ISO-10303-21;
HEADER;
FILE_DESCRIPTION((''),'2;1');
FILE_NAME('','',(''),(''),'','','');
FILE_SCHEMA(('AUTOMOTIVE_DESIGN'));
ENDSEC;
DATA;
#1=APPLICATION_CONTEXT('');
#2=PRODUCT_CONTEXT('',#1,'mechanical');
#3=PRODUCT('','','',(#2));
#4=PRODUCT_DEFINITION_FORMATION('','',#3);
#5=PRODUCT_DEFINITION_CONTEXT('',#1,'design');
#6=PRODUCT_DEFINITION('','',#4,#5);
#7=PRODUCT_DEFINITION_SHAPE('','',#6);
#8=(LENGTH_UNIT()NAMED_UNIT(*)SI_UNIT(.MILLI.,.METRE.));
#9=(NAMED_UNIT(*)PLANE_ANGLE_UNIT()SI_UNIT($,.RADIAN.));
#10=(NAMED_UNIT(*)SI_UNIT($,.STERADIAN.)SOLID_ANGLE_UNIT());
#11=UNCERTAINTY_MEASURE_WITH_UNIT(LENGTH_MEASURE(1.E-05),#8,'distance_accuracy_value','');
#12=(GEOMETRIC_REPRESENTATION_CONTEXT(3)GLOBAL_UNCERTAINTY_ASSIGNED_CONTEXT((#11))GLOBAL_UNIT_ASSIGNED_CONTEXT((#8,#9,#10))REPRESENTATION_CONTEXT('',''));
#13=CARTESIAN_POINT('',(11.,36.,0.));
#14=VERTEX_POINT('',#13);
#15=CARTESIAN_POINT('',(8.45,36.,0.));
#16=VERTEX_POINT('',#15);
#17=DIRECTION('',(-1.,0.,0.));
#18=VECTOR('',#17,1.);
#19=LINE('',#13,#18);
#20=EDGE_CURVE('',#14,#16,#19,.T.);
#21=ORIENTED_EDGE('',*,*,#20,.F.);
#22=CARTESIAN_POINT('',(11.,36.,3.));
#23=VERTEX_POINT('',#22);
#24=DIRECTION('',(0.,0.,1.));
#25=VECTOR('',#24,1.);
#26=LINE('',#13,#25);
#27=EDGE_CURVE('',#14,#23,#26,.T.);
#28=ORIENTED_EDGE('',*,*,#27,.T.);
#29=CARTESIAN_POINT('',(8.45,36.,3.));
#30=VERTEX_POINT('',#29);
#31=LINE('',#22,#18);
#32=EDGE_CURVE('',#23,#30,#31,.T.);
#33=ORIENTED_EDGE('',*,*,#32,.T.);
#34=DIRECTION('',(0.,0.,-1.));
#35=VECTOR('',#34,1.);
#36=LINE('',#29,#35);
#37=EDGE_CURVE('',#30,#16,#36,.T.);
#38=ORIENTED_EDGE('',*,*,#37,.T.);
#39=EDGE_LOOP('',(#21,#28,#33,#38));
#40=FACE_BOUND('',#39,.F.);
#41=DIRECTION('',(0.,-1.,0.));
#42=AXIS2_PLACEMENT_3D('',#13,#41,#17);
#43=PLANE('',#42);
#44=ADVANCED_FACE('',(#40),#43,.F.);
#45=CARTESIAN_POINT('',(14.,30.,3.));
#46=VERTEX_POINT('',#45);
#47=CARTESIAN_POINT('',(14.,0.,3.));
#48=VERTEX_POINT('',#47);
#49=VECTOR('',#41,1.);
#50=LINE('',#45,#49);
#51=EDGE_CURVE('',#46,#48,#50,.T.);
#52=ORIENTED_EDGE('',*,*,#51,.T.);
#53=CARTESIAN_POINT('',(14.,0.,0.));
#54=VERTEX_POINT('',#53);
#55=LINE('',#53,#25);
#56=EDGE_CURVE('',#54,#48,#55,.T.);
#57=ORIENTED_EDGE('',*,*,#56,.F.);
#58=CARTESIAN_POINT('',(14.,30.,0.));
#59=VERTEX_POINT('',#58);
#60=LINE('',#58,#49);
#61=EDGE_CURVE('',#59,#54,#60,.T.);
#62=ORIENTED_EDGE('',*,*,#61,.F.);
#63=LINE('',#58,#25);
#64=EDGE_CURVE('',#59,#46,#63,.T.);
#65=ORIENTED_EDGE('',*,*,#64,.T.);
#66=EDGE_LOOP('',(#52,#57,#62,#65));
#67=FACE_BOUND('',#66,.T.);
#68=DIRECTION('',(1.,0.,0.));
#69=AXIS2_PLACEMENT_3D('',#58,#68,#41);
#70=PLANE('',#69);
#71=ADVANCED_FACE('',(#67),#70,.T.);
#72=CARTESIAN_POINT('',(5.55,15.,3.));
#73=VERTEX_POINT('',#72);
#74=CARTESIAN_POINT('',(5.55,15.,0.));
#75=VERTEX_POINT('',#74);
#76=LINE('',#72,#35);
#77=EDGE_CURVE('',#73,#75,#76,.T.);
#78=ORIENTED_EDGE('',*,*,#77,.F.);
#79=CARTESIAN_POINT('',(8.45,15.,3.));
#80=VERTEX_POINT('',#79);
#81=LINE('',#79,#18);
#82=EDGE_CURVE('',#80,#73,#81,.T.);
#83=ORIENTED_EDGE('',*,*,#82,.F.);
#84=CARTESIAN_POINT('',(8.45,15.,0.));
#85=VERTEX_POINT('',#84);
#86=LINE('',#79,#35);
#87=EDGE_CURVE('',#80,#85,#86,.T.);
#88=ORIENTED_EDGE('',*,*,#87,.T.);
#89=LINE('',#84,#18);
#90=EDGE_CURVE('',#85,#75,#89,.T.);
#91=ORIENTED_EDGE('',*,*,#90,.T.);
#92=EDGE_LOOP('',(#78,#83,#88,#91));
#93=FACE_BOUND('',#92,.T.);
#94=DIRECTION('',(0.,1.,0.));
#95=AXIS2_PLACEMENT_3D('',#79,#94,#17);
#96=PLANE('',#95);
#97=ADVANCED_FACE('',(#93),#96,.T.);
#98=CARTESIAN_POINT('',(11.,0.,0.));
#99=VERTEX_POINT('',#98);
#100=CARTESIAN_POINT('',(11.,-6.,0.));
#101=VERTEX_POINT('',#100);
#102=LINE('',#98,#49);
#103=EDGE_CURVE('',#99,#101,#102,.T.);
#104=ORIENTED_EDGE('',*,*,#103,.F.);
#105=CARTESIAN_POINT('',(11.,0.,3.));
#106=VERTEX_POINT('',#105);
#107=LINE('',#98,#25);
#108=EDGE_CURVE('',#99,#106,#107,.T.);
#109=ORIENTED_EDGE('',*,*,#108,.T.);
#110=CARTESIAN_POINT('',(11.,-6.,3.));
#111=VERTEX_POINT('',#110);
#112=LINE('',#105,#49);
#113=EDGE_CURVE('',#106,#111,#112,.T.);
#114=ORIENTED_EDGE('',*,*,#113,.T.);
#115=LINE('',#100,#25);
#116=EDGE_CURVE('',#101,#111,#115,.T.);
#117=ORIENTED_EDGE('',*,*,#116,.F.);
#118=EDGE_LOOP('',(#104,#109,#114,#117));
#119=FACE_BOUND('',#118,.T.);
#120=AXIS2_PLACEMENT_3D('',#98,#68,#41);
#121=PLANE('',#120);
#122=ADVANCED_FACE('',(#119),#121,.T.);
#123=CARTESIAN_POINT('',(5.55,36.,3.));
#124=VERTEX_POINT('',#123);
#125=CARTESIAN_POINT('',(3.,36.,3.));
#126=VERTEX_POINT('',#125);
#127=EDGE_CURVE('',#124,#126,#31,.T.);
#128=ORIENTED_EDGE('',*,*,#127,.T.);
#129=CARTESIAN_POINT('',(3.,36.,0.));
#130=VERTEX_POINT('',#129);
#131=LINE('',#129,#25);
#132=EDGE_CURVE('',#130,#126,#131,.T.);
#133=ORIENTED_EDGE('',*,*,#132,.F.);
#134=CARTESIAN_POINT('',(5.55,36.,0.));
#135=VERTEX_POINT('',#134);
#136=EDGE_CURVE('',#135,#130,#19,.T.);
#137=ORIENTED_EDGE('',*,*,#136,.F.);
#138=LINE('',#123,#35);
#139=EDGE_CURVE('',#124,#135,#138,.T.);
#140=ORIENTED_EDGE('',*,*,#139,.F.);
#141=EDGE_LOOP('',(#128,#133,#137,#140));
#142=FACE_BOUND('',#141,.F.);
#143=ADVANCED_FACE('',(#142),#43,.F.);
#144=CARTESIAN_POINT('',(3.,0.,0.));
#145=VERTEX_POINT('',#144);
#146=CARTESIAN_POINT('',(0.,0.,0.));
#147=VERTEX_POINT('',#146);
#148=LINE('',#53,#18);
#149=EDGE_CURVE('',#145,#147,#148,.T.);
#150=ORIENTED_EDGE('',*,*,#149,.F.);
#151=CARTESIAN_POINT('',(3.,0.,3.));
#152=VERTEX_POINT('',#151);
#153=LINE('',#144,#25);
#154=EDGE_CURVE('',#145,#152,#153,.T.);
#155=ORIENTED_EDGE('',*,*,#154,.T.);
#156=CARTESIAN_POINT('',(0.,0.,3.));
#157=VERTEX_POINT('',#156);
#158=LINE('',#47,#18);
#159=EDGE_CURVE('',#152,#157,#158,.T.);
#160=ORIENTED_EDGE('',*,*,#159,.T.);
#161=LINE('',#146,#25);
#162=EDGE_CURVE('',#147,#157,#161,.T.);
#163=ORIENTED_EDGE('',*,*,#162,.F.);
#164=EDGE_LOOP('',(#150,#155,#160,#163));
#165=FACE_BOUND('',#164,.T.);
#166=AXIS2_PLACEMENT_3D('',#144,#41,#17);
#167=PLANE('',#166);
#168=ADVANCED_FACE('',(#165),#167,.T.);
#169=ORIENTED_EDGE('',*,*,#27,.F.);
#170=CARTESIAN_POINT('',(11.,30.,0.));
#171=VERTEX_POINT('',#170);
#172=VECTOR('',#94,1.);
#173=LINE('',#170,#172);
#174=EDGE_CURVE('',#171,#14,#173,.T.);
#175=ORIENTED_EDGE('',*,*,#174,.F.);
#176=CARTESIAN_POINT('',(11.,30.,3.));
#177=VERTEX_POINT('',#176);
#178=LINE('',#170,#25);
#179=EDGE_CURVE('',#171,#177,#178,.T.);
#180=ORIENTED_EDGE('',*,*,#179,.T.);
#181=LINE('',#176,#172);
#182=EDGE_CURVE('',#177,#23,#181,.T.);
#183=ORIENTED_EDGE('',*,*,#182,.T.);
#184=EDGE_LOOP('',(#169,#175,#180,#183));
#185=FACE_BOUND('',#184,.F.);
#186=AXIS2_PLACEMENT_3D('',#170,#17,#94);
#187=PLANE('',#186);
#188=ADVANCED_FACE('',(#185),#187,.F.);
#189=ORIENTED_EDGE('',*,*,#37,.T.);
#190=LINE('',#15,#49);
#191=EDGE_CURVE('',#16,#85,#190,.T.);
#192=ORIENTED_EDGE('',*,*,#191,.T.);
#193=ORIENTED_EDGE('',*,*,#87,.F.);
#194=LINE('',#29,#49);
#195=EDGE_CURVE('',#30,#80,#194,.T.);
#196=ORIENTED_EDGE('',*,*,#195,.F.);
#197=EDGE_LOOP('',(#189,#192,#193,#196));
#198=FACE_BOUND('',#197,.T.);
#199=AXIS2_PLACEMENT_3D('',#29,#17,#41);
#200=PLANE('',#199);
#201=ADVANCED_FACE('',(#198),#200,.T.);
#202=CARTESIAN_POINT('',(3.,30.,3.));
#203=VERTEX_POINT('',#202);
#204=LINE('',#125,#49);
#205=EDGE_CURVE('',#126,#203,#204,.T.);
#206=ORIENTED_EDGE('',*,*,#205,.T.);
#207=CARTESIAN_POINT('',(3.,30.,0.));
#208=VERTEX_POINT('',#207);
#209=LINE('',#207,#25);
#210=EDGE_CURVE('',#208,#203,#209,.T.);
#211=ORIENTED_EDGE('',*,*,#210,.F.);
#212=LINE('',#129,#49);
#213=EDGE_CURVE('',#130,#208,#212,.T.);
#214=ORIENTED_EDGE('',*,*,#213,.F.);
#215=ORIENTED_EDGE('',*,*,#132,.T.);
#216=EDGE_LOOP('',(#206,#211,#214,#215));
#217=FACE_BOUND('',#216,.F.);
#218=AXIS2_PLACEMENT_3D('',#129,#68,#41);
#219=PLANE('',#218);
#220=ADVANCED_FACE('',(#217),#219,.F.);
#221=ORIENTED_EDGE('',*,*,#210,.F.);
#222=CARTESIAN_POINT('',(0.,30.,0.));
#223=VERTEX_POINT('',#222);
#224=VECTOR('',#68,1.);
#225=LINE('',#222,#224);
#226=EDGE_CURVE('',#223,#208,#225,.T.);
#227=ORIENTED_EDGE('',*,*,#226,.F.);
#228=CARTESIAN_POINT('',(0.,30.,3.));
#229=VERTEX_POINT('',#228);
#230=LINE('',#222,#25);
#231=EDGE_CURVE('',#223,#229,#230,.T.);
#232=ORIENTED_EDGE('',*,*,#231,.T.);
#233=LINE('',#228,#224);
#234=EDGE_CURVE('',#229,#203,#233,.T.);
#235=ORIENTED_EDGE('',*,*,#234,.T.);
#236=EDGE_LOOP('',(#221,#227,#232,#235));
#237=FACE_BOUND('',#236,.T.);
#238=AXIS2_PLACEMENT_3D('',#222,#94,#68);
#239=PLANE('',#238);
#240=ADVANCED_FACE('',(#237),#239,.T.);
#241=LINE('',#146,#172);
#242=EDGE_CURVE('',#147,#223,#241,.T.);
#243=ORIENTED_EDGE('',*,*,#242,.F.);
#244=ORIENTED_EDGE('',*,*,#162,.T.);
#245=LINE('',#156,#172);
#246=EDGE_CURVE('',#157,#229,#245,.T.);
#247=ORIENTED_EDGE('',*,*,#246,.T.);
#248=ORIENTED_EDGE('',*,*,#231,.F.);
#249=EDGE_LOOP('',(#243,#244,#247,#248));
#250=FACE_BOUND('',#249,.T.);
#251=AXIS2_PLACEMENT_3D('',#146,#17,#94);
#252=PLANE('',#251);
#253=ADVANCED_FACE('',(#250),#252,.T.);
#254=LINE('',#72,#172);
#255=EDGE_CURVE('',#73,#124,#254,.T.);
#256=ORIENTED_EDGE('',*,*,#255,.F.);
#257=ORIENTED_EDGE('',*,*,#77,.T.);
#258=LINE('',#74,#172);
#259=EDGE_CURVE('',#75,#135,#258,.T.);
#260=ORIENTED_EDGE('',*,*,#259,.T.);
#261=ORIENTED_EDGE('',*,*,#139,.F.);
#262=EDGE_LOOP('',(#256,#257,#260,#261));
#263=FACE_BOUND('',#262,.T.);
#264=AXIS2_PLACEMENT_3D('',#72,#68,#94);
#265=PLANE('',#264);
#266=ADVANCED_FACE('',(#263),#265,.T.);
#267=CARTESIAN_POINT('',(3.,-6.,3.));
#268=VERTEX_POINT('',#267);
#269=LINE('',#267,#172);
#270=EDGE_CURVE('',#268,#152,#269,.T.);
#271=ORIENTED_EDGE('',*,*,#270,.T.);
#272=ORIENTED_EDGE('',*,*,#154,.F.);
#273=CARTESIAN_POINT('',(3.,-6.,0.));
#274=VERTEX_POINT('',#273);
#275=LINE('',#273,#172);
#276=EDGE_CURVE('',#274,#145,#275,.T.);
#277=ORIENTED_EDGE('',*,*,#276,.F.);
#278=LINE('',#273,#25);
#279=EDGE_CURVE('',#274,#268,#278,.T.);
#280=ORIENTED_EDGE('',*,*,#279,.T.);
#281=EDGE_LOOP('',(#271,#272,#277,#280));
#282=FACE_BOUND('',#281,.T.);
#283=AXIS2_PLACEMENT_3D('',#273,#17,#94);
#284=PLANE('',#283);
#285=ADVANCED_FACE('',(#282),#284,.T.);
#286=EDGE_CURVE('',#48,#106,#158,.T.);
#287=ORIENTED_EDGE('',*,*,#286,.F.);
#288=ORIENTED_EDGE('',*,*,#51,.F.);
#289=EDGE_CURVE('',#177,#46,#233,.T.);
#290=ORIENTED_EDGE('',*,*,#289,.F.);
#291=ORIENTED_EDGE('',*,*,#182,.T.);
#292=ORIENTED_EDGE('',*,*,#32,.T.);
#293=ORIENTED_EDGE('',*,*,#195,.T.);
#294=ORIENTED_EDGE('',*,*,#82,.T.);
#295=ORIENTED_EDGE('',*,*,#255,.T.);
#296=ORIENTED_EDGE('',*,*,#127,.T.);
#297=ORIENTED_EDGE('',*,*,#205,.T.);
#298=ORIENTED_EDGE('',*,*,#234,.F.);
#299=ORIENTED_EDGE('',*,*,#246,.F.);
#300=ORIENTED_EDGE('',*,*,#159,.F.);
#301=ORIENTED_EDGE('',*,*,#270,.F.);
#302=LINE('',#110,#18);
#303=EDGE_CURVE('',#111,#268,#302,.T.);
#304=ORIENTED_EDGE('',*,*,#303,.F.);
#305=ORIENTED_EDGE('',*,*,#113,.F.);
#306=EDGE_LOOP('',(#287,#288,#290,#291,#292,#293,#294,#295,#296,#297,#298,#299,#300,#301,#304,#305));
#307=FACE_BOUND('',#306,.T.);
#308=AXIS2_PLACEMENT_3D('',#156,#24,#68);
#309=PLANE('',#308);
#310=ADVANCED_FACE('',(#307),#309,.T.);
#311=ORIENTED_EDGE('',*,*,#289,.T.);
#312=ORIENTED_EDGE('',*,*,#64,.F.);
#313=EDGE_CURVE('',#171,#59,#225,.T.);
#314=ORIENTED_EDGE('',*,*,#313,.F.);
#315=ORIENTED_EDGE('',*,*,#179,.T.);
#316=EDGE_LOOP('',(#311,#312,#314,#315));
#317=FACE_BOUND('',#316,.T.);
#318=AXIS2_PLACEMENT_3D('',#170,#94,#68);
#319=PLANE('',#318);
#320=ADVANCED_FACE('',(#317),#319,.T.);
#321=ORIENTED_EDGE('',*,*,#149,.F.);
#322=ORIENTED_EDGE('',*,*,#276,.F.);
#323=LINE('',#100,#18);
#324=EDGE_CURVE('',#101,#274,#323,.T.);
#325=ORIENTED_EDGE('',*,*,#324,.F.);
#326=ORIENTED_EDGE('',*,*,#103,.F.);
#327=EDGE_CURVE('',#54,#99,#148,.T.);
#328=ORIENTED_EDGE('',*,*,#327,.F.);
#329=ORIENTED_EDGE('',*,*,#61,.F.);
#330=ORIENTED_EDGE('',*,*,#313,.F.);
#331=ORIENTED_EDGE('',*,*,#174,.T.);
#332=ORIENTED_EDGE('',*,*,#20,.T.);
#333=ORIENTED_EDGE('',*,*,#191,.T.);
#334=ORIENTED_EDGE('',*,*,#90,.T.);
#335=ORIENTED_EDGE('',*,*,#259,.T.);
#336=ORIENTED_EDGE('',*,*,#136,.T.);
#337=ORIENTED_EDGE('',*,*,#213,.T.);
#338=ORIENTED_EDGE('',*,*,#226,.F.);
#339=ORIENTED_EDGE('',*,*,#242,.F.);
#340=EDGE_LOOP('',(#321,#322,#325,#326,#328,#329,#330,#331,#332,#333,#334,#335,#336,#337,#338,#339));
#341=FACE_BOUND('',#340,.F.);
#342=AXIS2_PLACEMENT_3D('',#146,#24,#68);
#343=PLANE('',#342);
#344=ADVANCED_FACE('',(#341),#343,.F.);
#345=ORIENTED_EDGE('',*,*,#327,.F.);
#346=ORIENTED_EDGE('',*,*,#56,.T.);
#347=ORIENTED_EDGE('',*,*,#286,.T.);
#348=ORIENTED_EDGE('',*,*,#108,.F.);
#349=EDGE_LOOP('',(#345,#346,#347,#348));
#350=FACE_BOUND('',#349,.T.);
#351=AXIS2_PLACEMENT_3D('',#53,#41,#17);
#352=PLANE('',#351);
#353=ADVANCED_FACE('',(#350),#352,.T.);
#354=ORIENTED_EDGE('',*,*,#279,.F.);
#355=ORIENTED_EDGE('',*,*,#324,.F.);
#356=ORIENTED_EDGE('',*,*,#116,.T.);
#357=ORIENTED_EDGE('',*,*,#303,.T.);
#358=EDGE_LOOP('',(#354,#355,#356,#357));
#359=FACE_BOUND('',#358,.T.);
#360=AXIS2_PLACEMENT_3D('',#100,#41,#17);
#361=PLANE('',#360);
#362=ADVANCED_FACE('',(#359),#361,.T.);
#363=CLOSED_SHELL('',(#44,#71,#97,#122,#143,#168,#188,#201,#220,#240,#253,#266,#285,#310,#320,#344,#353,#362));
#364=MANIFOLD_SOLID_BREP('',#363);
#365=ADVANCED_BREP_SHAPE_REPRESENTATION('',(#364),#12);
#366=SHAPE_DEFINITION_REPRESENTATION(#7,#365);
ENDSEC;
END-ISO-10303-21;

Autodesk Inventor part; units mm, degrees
ref_plane "YZ Plane" through (0, 0, 0) normal (1, 0, 0) x (0, 1, 0)
ref_plane "XZ Plane" through (0, 0, 0) normal (0, 1, 0) x (-1, 0, 0)
ref_plane "XY Plane" through (0, 0, 0) normal (0, 0, 1) x (1, 0, 0)
sketch "草圖1" plane through (0, 0, 0) normal (0, 0, 1) x (1, 0, 0)
  line L0 (0, 30) -> (14, 30)
  line L1 (14, 30) -> (14, 0)
  line L2 (14, 0) -> (0, 0)
  line L3 (0, 0) -> (0, 30)
  line L4 (3, 0) -> (11, 0)
  line L5 (11, 0) -> (11, -6)
  line L6 (11, -6) -> (3, -6)
  line L7 (3, -6) -> (3, 0)
  line L8 (3, 30) -> (11, 30)
  line L9 (11, 30) -> (11, 36)
  line L10 (11, 36) -> (3, 36)
  line L11 (3, 36) -> (3, 30)
  point P0 (11, 0)
  dimension "d0" = 14
  dimension "d1" = 6
  dimension "d2" = 8
  dimension "d3" = 3
  dimension "d4" = 30
  dimension "d5" = 6
extrude "擠出1" add sketch "草圖1" along normal blind 3
sketch "草圖2" plane through (0, 0, 3) normal (0, 0, 1) x (1, 0, 0)
  line L0 (11, 36) -> (3, 36) projected
  line L1 (5.55, 36) -> (8.45, 36)
  line L2 (8.45, 36) -> (8.45, 15)
  line L3 (8.45, 15) -> (5.55, 15)
  line L4 (5.55, 15) -> (5.55, 36)
  line L5 (3, 36) -> (3, 30) projected
  line L6 (3, -6) -> (11, -6) projected
  point P0 (0, 0)
  dimension "d8" = 2.9
  dimension "d9" = 2.55
  dimension "d10" = 21
  dimension "d13" = 42
extrude "擠出2" cut sketch "草圖2" against normal up to surface (3 mm away)
sketch "草圖3" plane through (0, 0, 3) normal (0, 0, 1) x (1, 0, 0)
  line L0 (5.55, 15) -> (5.55, 36) projected
  line L1 (5.55, 36) -> (3, 36) projected
  line L2 (3, 36) -> (3, 30) projected
  line L3 (3, 30) -> (0, 30) projected
  line L4 (0, 30) -> (0, 0) projected
  line L5 (0, 0) -> (3, 0) projected
  line L6 (3, 0) -> (3, -6) projected
  line L7 (3, -6) -> (11, -6) projected
  line L8 (11, -6) -> (11, 0) projected
  line L9 (11, 0) -> (14, 0) projected
  line L10 (14, 0) -> (14, 30) projected
  line L11 (14, 30) -> (11, 30) projected
  line L12 (11, 30) -> (11, 36) projected
  line L13 (11, 36) -> (8.45, 36) projected
  line L14 (8.45, 36) -> (8.45, 15) projected
  line L15 (8.45, 15) -> (5.55, 15) projected
equation "\"d10\" = 0.5 * d13"
properties part number "bracket"
